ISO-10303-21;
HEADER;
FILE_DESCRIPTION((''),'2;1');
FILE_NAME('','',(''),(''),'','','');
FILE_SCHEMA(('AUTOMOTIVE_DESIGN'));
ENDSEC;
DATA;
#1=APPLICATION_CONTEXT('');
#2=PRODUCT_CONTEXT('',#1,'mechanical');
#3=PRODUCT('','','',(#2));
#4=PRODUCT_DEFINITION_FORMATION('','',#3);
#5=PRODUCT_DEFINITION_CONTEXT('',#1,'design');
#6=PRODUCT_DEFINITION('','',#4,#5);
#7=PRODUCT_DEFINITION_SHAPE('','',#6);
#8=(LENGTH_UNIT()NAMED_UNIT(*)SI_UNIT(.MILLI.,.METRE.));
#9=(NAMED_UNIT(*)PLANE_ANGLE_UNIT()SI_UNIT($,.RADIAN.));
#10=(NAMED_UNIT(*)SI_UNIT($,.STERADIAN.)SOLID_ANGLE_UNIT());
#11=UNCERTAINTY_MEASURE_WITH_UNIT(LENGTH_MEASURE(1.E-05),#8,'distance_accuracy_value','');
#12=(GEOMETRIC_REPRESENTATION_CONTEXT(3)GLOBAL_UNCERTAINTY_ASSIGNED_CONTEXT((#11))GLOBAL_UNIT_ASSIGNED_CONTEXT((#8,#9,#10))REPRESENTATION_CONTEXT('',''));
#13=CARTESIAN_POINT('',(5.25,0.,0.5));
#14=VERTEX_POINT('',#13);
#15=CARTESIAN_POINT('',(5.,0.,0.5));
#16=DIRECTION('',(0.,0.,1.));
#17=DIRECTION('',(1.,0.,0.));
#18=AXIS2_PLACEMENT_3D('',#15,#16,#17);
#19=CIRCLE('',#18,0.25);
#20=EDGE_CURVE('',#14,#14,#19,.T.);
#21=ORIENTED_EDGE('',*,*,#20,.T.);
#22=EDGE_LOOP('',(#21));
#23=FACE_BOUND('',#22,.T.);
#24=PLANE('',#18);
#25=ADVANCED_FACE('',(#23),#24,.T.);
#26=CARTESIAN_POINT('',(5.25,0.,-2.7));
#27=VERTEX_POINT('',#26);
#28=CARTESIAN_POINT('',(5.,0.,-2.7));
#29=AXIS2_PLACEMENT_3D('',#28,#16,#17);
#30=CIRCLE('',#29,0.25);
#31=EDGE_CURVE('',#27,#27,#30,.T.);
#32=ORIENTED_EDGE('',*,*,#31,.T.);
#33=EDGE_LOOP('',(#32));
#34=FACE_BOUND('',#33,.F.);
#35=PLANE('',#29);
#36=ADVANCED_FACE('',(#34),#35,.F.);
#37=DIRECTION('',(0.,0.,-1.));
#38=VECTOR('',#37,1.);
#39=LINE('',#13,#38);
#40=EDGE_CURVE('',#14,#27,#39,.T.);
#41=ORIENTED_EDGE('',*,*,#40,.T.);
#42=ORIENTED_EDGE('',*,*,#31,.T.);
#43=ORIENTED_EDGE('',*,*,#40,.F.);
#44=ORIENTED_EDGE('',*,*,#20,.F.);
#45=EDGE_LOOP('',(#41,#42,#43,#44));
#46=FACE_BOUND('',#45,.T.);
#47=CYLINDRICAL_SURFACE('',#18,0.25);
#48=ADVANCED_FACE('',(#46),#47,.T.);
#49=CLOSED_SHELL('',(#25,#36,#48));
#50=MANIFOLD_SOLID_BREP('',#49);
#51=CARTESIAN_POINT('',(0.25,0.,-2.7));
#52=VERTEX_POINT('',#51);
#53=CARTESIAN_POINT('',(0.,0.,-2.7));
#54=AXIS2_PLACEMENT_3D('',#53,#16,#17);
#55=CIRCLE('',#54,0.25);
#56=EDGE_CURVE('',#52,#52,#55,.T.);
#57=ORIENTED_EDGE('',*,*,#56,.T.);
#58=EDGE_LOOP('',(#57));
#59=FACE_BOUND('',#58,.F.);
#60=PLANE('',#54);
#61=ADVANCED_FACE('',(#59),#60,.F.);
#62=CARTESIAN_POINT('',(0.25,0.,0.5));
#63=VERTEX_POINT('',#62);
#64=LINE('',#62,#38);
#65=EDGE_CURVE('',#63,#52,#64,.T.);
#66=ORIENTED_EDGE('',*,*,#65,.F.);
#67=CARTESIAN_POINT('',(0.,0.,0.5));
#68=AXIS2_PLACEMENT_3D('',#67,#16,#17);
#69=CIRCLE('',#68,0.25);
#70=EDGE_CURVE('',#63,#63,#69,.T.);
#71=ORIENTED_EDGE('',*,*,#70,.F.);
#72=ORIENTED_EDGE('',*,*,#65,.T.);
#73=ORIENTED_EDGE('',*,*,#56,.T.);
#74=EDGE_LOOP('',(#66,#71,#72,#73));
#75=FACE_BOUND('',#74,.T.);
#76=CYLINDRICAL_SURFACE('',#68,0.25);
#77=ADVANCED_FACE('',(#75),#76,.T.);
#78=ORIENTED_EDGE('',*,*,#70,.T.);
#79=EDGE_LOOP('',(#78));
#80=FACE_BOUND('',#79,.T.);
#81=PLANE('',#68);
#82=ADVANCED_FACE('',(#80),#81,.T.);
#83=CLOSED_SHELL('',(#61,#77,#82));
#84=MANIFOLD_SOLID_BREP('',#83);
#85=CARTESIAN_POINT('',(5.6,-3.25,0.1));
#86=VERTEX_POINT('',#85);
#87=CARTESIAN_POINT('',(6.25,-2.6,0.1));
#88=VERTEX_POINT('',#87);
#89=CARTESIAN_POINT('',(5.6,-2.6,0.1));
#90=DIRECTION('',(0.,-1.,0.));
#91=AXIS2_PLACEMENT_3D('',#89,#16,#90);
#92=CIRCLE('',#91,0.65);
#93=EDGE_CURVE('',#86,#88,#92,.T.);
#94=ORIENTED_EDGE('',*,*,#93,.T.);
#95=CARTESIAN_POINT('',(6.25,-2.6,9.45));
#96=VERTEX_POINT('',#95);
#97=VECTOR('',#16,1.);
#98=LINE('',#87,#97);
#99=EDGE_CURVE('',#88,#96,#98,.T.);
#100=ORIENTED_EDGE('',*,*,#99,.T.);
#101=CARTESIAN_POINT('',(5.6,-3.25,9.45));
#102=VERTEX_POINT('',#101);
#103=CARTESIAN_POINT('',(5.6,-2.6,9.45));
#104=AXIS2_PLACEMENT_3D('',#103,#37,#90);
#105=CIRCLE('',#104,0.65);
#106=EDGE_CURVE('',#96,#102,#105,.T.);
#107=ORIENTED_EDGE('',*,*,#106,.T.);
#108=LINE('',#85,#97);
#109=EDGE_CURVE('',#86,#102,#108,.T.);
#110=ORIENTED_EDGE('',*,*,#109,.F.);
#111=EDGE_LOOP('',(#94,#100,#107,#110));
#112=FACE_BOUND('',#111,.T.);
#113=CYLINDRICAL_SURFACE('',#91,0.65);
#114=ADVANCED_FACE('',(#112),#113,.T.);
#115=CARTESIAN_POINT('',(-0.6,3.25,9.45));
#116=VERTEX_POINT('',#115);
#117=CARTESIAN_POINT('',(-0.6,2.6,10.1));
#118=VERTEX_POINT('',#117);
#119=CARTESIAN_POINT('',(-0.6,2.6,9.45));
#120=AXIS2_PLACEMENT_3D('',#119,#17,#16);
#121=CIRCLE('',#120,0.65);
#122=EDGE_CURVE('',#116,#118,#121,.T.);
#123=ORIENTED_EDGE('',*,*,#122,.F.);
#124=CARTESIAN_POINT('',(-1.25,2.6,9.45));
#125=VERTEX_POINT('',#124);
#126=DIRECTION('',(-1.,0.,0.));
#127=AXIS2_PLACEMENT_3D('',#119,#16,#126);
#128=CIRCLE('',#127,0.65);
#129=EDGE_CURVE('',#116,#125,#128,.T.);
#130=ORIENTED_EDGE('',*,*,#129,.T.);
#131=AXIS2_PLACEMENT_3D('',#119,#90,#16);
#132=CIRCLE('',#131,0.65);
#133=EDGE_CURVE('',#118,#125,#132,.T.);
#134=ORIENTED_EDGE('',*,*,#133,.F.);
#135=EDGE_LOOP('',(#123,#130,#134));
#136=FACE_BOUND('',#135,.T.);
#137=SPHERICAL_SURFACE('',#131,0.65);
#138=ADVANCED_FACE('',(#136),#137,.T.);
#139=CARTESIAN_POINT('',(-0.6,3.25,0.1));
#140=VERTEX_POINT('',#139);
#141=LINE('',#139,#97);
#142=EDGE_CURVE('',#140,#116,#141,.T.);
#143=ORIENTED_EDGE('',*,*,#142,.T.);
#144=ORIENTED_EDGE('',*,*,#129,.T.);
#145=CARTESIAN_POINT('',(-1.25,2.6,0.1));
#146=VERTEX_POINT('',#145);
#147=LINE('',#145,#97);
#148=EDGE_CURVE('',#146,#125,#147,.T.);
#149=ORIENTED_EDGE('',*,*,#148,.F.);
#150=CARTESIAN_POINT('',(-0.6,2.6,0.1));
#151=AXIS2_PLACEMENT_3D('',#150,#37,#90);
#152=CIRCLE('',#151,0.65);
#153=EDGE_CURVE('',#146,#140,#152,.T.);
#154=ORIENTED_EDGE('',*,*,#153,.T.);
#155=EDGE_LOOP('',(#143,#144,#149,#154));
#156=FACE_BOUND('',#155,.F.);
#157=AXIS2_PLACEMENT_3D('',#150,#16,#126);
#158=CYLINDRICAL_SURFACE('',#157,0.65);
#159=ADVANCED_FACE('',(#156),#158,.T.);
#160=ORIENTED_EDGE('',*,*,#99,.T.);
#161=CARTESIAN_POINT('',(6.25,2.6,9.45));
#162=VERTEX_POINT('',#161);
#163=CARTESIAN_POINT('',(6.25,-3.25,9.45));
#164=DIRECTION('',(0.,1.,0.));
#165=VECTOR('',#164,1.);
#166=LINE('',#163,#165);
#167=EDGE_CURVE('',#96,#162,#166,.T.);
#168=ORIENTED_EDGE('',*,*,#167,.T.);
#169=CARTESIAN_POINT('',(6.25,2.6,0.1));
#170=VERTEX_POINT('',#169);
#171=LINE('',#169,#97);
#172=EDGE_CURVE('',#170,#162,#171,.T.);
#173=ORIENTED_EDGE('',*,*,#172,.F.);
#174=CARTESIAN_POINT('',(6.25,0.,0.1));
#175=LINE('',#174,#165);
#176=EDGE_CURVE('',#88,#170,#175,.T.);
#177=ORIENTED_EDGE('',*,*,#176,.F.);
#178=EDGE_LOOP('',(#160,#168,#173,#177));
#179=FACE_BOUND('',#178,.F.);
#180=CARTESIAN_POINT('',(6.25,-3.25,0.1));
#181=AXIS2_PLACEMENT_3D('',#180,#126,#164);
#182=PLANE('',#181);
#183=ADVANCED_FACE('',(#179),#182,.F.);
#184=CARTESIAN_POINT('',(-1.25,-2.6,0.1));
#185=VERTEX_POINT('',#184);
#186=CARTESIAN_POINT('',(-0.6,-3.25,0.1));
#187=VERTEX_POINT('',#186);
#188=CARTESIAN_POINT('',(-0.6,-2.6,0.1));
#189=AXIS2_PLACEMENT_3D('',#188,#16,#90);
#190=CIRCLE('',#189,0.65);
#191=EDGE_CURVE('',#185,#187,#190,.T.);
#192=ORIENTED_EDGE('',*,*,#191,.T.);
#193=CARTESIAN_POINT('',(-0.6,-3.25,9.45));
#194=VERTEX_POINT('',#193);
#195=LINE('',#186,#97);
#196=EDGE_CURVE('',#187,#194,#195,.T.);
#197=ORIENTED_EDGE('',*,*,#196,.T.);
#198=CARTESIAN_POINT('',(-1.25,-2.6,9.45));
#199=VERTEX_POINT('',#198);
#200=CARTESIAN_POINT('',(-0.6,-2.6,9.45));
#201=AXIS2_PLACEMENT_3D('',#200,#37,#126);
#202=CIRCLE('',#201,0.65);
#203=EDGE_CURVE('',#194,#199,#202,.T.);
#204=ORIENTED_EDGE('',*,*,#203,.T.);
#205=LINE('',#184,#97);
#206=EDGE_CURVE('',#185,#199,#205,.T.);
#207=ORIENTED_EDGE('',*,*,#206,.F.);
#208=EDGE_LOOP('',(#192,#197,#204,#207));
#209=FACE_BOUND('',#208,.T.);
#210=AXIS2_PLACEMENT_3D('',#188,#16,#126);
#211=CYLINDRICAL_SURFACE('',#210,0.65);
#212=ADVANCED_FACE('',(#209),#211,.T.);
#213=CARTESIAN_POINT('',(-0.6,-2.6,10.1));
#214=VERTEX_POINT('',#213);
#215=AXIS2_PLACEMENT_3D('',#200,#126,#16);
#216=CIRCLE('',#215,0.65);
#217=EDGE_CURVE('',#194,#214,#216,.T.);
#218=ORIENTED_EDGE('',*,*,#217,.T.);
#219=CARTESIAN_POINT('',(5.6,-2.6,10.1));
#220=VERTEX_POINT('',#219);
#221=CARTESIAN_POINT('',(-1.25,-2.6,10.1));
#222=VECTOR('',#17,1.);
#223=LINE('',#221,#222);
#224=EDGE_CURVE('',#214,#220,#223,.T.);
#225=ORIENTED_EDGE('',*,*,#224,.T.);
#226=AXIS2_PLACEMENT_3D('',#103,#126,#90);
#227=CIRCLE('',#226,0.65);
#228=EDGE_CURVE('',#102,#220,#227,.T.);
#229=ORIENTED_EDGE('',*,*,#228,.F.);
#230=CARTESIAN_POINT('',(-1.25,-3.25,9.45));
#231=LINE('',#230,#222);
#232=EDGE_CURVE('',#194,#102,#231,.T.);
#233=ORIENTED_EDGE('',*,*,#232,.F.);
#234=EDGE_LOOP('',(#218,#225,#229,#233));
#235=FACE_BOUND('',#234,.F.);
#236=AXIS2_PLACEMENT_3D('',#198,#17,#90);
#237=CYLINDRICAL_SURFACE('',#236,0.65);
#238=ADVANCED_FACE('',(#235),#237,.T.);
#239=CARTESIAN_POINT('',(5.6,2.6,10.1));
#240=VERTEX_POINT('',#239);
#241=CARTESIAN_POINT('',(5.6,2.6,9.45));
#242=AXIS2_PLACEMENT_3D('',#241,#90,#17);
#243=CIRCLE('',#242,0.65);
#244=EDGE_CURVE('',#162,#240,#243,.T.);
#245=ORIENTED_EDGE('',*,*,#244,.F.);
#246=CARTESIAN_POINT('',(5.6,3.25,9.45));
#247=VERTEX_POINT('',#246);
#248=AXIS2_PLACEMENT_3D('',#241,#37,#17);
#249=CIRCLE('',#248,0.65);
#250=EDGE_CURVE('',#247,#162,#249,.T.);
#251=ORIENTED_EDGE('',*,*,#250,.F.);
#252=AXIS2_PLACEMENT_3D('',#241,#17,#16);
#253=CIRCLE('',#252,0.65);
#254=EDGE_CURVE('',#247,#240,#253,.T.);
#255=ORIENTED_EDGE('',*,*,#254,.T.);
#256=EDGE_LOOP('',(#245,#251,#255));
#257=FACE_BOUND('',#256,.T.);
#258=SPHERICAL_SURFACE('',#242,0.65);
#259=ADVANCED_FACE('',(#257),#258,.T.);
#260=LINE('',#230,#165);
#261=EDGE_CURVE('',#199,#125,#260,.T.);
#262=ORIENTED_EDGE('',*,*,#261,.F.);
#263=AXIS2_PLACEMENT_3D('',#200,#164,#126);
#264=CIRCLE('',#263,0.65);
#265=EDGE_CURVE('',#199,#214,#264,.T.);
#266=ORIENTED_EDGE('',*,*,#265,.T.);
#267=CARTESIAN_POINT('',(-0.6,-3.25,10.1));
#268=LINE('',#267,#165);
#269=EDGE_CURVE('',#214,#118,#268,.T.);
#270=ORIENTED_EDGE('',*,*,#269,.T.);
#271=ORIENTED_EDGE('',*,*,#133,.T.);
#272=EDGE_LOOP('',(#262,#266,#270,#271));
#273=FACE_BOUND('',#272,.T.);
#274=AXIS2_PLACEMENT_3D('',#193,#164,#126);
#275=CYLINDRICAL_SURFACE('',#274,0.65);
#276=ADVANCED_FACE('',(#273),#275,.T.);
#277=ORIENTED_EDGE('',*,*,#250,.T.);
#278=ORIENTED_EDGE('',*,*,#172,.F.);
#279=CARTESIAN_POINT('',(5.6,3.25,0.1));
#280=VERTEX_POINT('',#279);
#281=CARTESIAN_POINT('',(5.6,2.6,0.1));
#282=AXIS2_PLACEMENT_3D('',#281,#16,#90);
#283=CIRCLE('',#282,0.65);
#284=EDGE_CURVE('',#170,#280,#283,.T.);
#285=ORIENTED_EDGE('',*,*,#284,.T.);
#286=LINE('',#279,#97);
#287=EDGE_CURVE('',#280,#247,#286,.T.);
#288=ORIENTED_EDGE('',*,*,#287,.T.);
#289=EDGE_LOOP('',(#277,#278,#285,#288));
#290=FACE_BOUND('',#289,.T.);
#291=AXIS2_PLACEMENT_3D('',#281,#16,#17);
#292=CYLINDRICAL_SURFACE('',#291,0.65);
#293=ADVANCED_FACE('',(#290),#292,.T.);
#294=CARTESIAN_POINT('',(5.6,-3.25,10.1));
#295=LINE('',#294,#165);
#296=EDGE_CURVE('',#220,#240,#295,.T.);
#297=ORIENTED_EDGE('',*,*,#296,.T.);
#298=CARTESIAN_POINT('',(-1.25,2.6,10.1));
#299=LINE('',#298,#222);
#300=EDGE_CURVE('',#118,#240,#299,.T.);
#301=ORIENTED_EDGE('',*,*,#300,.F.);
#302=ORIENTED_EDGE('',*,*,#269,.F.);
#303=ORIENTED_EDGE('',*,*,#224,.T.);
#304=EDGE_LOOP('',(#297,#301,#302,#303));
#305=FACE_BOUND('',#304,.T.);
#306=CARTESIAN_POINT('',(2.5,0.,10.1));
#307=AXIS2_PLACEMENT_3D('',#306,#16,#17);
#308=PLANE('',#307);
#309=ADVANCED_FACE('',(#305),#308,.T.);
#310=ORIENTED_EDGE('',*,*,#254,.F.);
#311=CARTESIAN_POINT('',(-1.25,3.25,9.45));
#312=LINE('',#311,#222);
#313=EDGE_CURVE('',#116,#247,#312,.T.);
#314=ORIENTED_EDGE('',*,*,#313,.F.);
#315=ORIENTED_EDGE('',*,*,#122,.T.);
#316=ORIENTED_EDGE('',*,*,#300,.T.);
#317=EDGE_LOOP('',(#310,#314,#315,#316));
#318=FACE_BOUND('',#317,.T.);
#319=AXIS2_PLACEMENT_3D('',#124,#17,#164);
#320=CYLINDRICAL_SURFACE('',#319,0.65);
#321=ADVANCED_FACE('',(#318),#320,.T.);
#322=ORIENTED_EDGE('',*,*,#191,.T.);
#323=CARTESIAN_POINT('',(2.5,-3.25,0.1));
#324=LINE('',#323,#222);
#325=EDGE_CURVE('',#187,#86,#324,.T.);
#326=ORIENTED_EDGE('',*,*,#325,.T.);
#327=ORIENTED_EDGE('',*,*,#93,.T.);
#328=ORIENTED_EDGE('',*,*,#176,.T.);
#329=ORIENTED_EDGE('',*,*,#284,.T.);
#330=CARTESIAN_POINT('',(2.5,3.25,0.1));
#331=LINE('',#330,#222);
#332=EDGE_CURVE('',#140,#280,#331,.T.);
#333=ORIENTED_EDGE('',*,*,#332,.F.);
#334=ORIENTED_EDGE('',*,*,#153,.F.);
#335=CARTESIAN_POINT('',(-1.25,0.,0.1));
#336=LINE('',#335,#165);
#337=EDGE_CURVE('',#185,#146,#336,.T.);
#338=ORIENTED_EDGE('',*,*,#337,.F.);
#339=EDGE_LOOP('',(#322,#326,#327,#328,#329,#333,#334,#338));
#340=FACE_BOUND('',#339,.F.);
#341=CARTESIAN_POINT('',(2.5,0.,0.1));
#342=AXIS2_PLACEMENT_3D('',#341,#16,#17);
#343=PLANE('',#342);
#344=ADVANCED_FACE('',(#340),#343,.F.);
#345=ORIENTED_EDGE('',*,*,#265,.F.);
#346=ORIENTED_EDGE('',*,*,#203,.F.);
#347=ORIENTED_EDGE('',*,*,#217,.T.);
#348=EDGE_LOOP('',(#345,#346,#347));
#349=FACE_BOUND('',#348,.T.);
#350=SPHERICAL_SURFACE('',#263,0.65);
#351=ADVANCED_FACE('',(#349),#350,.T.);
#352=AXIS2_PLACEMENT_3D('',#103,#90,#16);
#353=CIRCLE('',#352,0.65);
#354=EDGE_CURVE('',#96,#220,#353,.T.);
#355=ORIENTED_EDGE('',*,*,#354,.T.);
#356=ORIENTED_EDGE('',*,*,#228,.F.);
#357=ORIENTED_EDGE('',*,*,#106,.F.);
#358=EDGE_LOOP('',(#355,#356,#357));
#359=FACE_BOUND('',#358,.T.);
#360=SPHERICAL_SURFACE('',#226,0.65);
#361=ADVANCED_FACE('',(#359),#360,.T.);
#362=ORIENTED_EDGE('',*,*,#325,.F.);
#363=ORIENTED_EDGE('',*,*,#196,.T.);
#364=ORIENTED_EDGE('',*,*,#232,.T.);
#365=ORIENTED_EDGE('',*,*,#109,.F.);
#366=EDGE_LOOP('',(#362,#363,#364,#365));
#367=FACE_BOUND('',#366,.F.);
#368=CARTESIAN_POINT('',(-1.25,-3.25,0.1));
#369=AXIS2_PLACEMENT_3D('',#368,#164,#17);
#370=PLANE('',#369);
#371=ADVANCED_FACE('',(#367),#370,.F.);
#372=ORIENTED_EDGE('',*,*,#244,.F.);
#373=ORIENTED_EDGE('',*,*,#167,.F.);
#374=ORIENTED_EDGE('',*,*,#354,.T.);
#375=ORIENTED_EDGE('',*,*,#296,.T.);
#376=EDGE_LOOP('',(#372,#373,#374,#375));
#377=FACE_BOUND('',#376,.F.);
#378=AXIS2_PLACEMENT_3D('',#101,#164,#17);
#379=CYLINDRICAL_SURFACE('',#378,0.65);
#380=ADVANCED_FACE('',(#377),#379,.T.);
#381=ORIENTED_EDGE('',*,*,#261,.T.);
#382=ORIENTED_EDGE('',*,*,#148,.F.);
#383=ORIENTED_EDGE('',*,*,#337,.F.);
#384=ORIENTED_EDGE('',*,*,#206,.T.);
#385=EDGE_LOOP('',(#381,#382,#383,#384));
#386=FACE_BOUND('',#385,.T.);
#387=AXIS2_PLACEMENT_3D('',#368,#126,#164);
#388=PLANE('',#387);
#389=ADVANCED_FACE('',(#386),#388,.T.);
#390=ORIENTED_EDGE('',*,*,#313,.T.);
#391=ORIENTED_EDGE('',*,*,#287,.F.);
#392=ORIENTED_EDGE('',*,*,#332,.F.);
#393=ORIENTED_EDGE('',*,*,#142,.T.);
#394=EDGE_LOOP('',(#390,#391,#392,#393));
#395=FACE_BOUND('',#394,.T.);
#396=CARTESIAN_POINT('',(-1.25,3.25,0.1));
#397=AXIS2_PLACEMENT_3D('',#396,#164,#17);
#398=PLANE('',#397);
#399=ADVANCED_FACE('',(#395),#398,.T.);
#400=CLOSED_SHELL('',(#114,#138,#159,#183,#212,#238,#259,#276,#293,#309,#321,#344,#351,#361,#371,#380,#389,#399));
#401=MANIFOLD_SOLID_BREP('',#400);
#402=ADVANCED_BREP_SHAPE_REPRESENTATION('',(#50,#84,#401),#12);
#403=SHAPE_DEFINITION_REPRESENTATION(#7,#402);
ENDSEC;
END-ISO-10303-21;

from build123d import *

# Parameters (mm, degrees)
SKETCH_W     = 7.5
SKETCH_H     = 6.5
PAD_DEPTH    = 10
FILLET_R     = 0.65
SKETCH001_R  = 0.25
PAD001_DEPTH = 3.2


with BuildPart() as fillet_body:
    # Sketch → Pad (new body)
    with BuildSketch(Plane.XY.offset(0.1)):
        with Locations((2.5, 0)):
            Rectangle(SKETCH_W, SKETCH_H)
    extrude(amount=PAD_DEPTH)

    # Fillet
    fillet_edges = [fillet_body.edges().sort_by_distance(p)[0] for p in [
        (-1.25, 0, 10.1),
        (-1.25, -3.25, 5.1),
        (2.5, -3.25, 10.1),
        (6.25, -3.25, 5.1),
        (6.25, 0, 10.1),
        (6.25, 3.25, 5.1),
        (2.5, 3.25, 10.1),
        (-1.25, 3.25, 5.1),
    ]]
    fillet(fillet_edges, radius=FILLET_R)


with BuildPart() as pad001:
    # Sketch001 → Pad001 (new body)
    with BuildSketch(Plane.XY.offset(0.5)):
        Circle(SKETCH001_R)
        with Locations((5, 0)):
            Circle(SKETCH001_R)
    extrude(amount=-PAD001_DEPTH)


solid = Compound([fillet_body.part, pad001.part])
